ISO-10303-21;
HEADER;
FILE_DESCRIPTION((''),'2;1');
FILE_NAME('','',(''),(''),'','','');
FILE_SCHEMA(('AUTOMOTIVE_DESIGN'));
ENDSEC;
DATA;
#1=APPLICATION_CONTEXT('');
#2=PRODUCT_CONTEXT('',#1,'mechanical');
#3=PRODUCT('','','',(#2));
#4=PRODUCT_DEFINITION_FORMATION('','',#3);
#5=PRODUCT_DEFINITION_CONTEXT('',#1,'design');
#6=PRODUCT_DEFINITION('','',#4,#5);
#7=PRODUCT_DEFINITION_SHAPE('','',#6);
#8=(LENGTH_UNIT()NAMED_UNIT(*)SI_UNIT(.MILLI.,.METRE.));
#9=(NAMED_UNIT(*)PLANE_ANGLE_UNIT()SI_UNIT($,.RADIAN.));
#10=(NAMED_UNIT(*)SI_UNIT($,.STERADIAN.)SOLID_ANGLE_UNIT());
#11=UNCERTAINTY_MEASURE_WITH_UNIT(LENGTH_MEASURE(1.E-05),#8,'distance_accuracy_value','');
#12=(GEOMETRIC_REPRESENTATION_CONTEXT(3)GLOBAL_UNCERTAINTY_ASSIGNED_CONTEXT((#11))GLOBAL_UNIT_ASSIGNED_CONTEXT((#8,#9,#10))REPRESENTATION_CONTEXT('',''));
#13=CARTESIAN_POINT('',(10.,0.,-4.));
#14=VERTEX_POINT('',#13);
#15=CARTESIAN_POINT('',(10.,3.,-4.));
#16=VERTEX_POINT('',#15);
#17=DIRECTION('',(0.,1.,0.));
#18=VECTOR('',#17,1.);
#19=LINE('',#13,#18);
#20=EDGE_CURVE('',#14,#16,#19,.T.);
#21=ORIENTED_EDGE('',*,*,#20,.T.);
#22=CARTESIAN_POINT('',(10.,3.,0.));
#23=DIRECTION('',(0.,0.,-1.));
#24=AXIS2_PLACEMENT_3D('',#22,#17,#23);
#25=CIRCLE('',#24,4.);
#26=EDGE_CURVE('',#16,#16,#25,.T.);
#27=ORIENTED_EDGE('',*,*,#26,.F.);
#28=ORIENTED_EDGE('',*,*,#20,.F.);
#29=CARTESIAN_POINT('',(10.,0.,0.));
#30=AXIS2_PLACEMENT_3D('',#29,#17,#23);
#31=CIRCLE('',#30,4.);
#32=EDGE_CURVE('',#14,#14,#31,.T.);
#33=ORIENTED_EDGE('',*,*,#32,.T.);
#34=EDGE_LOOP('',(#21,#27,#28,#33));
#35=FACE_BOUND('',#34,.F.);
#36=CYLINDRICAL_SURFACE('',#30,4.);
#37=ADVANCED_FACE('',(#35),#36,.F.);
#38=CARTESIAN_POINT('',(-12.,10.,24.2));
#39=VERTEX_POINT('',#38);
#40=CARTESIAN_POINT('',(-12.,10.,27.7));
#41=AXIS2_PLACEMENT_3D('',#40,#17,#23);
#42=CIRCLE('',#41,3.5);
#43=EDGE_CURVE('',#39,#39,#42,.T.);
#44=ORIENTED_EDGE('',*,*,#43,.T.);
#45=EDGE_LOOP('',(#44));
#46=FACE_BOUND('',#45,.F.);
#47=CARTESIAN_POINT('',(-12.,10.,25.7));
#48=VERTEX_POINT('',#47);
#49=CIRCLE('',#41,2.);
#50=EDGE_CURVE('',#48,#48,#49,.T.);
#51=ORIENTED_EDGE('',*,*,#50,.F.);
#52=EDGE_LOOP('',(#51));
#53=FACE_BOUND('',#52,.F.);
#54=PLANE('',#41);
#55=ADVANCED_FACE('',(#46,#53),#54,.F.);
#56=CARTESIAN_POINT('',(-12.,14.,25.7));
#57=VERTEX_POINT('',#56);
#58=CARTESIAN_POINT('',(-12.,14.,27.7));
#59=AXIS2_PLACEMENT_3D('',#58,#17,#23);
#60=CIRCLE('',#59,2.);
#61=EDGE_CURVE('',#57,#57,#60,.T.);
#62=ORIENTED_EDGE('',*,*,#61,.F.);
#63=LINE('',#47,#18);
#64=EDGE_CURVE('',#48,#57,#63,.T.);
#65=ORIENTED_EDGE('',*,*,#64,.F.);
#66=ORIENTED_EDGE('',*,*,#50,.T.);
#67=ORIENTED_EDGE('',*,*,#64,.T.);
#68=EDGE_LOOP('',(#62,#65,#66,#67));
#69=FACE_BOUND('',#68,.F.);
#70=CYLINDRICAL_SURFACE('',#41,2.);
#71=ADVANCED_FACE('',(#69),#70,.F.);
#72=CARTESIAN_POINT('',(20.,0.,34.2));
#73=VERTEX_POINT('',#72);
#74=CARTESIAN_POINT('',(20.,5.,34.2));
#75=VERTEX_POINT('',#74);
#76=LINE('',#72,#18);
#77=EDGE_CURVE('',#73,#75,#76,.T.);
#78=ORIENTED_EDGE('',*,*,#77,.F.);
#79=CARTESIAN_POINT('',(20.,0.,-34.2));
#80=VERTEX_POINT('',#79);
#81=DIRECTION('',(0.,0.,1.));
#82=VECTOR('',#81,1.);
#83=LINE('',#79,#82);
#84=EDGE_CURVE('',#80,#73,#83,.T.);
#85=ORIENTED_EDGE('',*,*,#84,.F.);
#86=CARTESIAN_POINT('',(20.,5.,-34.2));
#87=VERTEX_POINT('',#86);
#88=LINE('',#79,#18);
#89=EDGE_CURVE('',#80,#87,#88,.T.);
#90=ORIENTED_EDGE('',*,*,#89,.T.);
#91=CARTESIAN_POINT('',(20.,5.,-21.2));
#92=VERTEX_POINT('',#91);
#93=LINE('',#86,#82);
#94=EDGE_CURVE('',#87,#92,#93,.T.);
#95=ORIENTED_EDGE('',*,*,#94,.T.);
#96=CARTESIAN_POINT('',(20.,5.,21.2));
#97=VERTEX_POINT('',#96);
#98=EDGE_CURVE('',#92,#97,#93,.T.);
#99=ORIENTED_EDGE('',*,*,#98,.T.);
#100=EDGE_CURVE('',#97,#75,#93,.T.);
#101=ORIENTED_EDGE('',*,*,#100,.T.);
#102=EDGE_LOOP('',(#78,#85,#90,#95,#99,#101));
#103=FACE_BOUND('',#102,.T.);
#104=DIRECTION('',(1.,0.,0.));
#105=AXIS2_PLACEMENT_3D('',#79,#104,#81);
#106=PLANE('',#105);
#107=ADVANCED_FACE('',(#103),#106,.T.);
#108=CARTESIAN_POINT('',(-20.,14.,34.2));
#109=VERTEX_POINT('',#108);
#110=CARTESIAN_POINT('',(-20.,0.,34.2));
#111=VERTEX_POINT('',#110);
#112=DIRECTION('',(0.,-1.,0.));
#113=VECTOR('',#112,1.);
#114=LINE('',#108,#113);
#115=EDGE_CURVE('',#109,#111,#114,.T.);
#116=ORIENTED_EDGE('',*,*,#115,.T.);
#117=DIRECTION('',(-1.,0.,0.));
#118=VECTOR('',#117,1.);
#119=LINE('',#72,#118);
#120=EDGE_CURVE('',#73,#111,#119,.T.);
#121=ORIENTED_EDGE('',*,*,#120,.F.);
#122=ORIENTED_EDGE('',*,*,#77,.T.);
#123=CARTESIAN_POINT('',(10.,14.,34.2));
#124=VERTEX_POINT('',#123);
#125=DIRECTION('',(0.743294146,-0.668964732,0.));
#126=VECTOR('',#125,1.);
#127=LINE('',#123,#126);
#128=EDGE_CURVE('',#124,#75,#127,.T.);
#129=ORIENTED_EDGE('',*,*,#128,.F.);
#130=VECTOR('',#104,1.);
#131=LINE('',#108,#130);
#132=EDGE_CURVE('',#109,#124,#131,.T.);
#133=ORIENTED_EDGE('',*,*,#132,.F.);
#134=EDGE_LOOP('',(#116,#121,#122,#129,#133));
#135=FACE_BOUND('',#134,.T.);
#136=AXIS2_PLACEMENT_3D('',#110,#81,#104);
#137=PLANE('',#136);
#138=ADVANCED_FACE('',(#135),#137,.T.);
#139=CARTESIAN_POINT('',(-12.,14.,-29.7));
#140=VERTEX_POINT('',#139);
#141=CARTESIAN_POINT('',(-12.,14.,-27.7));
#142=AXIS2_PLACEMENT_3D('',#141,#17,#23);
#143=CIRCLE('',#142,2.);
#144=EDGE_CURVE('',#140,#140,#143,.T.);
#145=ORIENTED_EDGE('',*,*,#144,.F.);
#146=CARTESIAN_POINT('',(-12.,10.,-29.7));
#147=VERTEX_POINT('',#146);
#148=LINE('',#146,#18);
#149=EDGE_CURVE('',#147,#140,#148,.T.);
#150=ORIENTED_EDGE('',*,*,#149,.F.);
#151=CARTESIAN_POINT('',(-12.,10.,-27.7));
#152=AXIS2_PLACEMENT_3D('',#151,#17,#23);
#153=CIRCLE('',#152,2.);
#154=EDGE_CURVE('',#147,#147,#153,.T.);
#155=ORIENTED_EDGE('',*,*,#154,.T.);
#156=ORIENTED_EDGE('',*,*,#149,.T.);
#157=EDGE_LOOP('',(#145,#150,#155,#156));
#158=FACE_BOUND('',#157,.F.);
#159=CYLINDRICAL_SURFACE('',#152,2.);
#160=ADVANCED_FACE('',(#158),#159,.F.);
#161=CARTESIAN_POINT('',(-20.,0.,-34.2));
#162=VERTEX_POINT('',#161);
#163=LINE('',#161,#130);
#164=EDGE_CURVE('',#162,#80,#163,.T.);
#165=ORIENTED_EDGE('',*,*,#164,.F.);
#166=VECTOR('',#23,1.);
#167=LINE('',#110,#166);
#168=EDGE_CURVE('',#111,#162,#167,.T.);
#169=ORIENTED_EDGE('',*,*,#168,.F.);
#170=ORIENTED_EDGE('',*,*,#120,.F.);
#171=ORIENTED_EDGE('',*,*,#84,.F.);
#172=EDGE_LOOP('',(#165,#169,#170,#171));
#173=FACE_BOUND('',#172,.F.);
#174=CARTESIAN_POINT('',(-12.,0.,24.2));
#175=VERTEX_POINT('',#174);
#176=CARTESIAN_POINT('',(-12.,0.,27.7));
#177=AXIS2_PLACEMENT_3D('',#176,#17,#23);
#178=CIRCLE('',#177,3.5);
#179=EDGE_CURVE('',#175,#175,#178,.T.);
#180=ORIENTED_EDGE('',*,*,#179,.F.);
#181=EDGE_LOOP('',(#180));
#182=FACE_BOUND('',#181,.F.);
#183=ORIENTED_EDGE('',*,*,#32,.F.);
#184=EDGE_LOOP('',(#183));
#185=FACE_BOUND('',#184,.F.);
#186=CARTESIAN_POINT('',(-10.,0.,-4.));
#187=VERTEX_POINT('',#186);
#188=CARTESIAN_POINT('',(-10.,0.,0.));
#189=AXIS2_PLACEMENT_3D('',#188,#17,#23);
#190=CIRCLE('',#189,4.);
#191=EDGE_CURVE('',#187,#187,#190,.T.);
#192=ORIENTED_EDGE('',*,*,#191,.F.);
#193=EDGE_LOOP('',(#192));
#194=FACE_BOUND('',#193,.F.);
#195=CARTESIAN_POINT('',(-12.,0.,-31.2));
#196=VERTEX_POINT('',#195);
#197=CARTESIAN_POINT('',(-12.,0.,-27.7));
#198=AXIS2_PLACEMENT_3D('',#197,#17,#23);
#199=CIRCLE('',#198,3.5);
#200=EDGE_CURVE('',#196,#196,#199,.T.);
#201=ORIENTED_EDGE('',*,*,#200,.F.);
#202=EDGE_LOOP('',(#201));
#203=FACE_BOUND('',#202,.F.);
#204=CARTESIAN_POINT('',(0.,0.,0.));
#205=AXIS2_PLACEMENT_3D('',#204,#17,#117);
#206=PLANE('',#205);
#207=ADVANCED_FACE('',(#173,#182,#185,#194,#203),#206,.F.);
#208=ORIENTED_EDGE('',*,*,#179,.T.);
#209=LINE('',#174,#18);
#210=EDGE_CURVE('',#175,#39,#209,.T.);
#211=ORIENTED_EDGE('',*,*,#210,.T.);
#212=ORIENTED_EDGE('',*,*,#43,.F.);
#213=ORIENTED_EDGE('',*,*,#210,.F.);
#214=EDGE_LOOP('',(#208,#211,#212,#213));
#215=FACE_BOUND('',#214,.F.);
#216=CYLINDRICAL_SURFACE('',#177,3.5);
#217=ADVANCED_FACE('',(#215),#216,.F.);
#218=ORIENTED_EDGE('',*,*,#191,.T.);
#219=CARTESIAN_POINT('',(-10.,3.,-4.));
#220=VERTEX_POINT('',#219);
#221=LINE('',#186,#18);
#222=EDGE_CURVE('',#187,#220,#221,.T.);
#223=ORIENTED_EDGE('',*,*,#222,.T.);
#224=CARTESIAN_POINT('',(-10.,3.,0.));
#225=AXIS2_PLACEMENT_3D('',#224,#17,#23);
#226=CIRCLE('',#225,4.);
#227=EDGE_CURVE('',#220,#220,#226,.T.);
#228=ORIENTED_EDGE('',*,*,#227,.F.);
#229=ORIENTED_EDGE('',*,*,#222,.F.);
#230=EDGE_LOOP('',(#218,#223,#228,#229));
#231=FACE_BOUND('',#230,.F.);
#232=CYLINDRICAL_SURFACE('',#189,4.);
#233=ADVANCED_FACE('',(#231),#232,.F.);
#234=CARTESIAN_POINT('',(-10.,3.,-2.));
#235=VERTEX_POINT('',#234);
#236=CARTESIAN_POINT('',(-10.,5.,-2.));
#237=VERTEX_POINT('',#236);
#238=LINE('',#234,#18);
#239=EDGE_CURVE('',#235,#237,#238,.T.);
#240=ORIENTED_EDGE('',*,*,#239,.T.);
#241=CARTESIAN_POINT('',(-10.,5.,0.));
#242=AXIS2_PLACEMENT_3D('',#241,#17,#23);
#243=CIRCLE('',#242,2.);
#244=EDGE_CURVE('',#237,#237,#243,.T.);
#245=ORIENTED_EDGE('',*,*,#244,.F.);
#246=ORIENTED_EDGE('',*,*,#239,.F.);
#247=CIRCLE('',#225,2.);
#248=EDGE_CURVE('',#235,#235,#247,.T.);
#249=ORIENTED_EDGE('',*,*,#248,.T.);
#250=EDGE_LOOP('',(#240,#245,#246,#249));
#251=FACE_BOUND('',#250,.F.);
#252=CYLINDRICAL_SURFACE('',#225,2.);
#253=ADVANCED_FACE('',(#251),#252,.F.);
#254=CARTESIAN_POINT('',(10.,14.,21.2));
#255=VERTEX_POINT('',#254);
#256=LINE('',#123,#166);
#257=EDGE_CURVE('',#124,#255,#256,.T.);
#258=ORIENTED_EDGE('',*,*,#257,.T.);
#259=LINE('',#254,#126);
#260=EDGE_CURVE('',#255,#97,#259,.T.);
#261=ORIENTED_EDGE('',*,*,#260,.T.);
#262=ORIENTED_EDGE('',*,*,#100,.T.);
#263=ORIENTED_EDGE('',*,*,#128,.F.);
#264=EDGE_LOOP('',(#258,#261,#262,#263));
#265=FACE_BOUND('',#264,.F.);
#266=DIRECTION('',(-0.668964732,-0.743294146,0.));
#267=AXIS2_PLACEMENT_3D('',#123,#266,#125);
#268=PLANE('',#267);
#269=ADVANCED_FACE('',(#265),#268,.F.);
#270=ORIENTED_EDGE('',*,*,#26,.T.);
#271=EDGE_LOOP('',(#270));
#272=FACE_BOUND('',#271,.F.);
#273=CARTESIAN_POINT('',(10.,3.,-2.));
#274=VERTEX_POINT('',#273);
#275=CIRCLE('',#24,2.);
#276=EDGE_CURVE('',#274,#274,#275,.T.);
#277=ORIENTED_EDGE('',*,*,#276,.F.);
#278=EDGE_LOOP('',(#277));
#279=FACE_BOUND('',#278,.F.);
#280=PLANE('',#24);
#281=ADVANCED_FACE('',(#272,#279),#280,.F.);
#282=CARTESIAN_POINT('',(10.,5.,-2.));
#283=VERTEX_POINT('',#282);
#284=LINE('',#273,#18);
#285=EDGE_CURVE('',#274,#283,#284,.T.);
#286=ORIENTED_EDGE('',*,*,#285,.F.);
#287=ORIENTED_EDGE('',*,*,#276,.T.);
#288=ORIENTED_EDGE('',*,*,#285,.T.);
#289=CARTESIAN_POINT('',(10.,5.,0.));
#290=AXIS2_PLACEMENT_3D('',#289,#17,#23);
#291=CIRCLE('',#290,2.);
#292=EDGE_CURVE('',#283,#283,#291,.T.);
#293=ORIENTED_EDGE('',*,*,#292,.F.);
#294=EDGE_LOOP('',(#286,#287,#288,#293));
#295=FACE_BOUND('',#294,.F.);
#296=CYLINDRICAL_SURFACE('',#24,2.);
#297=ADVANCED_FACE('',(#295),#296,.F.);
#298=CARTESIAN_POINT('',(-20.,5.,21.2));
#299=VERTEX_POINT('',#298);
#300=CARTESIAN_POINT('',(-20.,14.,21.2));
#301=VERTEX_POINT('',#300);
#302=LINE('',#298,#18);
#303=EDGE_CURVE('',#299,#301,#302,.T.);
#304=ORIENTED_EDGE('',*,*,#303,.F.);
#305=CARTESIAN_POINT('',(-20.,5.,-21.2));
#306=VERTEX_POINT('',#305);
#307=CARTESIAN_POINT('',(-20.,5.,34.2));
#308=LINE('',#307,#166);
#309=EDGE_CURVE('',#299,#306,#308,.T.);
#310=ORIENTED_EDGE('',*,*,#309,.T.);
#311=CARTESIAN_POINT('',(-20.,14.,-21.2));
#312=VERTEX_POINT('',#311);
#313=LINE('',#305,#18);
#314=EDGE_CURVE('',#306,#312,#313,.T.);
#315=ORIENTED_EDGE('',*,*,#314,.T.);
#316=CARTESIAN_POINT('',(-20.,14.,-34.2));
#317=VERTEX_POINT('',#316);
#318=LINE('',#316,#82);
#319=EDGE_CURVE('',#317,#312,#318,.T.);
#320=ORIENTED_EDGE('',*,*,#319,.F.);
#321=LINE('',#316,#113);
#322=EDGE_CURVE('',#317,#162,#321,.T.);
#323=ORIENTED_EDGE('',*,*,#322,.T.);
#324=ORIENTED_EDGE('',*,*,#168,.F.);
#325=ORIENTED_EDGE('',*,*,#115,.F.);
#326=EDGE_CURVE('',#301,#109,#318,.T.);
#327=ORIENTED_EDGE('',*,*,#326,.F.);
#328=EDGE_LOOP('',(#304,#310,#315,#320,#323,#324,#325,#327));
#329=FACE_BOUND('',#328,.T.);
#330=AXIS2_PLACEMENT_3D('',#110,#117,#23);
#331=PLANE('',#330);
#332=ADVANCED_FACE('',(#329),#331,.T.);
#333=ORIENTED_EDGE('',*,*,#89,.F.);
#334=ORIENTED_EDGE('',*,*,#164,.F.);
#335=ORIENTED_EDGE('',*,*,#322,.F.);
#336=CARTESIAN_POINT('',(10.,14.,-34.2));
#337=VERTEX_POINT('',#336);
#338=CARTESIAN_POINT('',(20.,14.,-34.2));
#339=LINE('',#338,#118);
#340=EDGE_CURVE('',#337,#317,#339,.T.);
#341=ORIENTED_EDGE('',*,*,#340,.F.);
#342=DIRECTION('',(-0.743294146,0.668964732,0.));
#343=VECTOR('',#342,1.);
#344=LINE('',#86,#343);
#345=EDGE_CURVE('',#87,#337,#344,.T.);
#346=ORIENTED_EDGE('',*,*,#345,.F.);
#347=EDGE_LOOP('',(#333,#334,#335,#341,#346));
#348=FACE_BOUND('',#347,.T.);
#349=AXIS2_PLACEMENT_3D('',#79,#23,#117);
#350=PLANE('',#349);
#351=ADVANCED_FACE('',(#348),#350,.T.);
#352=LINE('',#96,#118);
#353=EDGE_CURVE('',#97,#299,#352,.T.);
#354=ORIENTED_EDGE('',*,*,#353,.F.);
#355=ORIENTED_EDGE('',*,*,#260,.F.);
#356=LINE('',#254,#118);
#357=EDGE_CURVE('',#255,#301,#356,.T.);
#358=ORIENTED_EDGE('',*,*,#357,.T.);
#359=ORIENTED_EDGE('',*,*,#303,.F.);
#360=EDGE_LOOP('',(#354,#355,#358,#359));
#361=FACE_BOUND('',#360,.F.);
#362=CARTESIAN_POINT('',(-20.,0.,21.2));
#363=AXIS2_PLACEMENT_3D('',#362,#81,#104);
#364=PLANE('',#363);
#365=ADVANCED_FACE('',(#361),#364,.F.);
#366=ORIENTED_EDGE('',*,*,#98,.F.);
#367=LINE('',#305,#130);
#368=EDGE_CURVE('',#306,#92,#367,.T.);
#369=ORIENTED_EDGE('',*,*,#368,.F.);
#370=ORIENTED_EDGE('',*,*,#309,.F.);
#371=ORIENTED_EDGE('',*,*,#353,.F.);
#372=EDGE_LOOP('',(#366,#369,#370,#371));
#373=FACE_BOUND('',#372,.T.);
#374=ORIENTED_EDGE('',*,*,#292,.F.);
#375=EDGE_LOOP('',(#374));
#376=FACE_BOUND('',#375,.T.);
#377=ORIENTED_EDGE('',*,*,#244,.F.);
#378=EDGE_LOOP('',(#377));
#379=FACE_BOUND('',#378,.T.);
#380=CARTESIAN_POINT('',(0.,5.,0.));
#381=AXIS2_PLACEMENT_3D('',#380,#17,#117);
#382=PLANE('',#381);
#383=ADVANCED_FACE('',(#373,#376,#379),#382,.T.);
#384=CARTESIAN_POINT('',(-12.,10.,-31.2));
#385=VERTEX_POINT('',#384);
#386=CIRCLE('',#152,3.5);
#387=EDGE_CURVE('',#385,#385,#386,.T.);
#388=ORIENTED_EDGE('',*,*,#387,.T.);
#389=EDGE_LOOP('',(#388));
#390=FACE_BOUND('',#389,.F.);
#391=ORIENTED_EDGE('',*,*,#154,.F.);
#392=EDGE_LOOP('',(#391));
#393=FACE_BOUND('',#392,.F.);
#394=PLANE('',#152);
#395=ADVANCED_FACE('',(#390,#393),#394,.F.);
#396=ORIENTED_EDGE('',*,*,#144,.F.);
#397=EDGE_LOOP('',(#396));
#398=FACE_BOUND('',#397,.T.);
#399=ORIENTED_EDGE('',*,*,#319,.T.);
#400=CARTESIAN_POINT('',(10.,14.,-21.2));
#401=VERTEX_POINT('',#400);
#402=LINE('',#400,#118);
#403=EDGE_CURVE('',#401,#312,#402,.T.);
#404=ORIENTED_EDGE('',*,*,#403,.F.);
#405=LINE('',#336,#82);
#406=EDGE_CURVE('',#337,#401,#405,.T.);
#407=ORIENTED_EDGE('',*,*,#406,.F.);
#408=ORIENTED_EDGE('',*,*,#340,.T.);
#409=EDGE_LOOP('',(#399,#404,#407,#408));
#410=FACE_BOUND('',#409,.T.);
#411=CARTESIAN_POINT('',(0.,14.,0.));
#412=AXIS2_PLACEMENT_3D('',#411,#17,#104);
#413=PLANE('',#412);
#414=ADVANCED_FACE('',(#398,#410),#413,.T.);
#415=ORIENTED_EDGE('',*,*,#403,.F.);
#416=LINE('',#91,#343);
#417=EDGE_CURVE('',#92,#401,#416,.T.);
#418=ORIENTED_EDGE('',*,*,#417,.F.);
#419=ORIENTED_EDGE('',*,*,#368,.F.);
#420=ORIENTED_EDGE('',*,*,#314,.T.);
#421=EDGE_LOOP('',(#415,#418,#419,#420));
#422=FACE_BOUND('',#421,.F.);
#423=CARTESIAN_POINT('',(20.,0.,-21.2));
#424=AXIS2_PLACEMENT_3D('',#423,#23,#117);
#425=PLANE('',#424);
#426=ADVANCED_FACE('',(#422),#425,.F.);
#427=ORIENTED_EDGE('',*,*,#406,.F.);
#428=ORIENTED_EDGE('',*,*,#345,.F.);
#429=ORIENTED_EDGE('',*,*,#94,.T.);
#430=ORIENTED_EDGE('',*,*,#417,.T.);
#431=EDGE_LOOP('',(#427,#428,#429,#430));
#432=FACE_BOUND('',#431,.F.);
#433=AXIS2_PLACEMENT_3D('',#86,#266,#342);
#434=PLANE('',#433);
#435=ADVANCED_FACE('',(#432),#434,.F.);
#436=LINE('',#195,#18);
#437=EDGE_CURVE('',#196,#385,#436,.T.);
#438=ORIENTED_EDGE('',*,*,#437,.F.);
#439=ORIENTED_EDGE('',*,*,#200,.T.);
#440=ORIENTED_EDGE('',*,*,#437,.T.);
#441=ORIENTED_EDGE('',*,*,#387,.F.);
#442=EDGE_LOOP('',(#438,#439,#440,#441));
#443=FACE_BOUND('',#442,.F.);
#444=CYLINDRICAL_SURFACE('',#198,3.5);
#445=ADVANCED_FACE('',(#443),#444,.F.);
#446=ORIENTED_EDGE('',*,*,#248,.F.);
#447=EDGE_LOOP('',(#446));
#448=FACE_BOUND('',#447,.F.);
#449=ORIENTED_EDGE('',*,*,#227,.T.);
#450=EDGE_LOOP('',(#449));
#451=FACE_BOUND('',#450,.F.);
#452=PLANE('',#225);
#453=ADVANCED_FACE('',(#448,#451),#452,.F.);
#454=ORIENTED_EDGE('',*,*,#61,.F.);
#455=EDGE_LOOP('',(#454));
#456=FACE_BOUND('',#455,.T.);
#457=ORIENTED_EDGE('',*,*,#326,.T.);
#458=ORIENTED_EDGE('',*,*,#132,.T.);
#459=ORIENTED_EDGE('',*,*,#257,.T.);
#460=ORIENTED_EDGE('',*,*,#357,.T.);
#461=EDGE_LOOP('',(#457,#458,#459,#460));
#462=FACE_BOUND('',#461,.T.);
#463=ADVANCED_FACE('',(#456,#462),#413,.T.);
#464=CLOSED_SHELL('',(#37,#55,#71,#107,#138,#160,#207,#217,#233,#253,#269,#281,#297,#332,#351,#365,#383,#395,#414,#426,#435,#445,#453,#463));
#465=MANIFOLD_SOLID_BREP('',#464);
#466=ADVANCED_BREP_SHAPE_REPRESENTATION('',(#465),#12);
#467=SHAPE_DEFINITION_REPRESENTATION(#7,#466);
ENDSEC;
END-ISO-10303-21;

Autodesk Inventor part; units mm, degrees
ref_plane "YZ Plane" through (0, 0, 0) normal (1, 0, 0) x (0, 1, 0)
ref_plane "XZ Plane" through (0, 0, 0) normal (0, 1, 0) x (-1, 0, 0)
ref_plane "XY Plane" through (0, 0, 0) normal (0, 0, 1) x (1, 0, 0)
sketch "Skizze1" plane through (0, 0, 0) normal (0, 1, 0) x (-1, 0, 0)
  line L0 (-20, 34.2) -> (20, 34.2)
  line L1 (20, 34.2) -> (20, -34.2)
  line L2 (20, -34.2) -> (-20, -34.2)
  line L3 (-20, -34.2) -> (-20, 34.2)
  line L4 (-20, 34.2) -> (20, -34.2) construction
  line L5 (20, 34.2) -> (-20, -34.2) construction
  point P0 (0, 0)
  dimension "d0" = 40
  dimension "d1" = 68.4
extrude "Extrusion1" add sketch "Skizze1" along normal blind 5
sketch "Skizze5" plane through (0, 0, 0) normal (0, -1, 0) x (1, 0, 0)
  line L0 (20, 34.2) -> (-20, 34.2) projected
  line L1 (-20, 34.2) -> (-20, -34.2) projected
  line L2 (-20, -34.2) -> (20, -34.2) projected
  line L3 (20, -34.2) -> (20, 34.2) projected
  line L4 (32.3204, 0) -> (-38.6965, 0) construction
  point P0 (0, 0)
  point P1 (-10, 0)
  point P2 (10, 0)
  dimension "d32" = 10
  dimension "d33" = 20
hole "Bohrung3" at (-10, 0, 0) at (10, 0, 0) direction (0, 1, 0) diameter 4 end through all counterbore diameter 8 counterbore depth 3
sketch "Skizze6" plane through (0, 5, 0) normal (0, 1, 0) x (1, 0, 0)
  circle A0 centre (-10, 0) radius 2 projected
  circle A1 centre (10, 0) radius 2 projected
  line L0 (-20, -34.2) -> (20, -34.2) projected
  line L1 (20, -34.2) -> (20, 34.2) projected
  line L2 (20, 34.2) -> (-20, 34.2) projected
  line L3 (-20, 34.2) -> (-20, -34.2) projected
  line L4 (-20, 34.2) -> (10, 34.2)
  line L5 (10, 34.2) -> (10, 21.2)
  line L6 (10, 21.2) -> (-20, 21.2)
  line L7 (-20, 21.2) -> (-20, 34.2)
  line L8 (-35, 0) -> (35, 0) projected
  line L9 (-20, -34.2) -> (10, -34.2)
  line L10 (10, -34.2) -> (10, -21.2)
  line L11 (10, -21.2) -> (-20, -21.2)
  line L12 (-20, -21.2) -> (-20, -34.2)
  point P0 (0, 0)
  dimension "d41" = 30
  dimension "d42" = 13
extrude "Extrusion3" add sketch "Skizze6" along normal blind 9 contours L3 L2 L5 L6 | L11 L10 L0 L3
sketch "Skizze8" plane through (0, 0, 0) normal (0, -1, 0) x (1, 0, 0)
  line L0 (-20, 34.2) -> (10, 34.2) projected
  line L1 (10, 34.2) -> (10, 21.2) projected
  line L2 (10, 21.2) -> (-20, 21.2) projected
  line L3 (-20, 21.2) -> (-20, 34.2) projected
  line L4 (-20, -34.2) -> (-20, -21.2) projected
  line L5 (-20, -21.2) -> (10, -21.2) projected
  line L6 (10, -21.2) -> (10, -34.2) projected
  line L7 (10, -34.2) -> (-20, -34.2) projected
  line L8 (-20, 21.2) -> (-20, 34.2) projected
  line L9 (-20, 27.7) -> (10, 27.7)
  line L10 (-20, 34.2) -> (-20, -34.2) projected
  line L11 (10, -21.2) -> (10, -34.2) projected
  line L12 (10, -27.7) -> (-20, -27.7)
  point P0 (0, 0)
  point P1 (-12, 27.7)
  point P2 (-12, -27.7)
  dimension "d46" = 8
  dimension "d47" = 8
hole "Bohrung4" at (-12, 0, 27.7) at (-12, 0, -27.7) direction (0, 1, 0) diameter 4 end through all counterbore diameter 7 counterbore depth 10
sketch "Skizze9" plane through (20, 0, -34.2) normal (0, 0, -1) x (-1, 0, 0)
  line L0 (40, 0) -> (0, 0) projected
  line L1 (40, 0) -> (40, 14) projected
  line L2 (10, 14) -> (40, 14) projected
  line L3 (10, 5) -> (10, 14) projected
  line L4 (0, 5) -> (10, 5) projected
  line L5 (0, 0) -> (0, 5) projected
  line L6 (0, 5) -> (10, 5) projected
  line L7 (0, 5) -> (10, 14)
  point P0 (20, 0)
extrude "Extrusion4" add sketch "Skizze9" against normal up to surface (13 mm away) contours L7 L3 L4
sketch "Skizze11" plane through (-20, 0, 34.2) normal (0, 0, 1) x (1, 0, 0)
  line L0 (30, 5) -> (30, 14) projected
  line L1 (30, 5) -> (40, 5) projected
  line L2 (30, 14) -> (40, 5) projected
  line L3 (40, 0) -> (40, 5) projected
  line L4 (30, 14) -> (40, 5)
  point P0 (20, 0)
extrude "Extrusion5" add sketch "Skizze11" against normal up to surface (13 mm away)
properties part number "Backplate"
